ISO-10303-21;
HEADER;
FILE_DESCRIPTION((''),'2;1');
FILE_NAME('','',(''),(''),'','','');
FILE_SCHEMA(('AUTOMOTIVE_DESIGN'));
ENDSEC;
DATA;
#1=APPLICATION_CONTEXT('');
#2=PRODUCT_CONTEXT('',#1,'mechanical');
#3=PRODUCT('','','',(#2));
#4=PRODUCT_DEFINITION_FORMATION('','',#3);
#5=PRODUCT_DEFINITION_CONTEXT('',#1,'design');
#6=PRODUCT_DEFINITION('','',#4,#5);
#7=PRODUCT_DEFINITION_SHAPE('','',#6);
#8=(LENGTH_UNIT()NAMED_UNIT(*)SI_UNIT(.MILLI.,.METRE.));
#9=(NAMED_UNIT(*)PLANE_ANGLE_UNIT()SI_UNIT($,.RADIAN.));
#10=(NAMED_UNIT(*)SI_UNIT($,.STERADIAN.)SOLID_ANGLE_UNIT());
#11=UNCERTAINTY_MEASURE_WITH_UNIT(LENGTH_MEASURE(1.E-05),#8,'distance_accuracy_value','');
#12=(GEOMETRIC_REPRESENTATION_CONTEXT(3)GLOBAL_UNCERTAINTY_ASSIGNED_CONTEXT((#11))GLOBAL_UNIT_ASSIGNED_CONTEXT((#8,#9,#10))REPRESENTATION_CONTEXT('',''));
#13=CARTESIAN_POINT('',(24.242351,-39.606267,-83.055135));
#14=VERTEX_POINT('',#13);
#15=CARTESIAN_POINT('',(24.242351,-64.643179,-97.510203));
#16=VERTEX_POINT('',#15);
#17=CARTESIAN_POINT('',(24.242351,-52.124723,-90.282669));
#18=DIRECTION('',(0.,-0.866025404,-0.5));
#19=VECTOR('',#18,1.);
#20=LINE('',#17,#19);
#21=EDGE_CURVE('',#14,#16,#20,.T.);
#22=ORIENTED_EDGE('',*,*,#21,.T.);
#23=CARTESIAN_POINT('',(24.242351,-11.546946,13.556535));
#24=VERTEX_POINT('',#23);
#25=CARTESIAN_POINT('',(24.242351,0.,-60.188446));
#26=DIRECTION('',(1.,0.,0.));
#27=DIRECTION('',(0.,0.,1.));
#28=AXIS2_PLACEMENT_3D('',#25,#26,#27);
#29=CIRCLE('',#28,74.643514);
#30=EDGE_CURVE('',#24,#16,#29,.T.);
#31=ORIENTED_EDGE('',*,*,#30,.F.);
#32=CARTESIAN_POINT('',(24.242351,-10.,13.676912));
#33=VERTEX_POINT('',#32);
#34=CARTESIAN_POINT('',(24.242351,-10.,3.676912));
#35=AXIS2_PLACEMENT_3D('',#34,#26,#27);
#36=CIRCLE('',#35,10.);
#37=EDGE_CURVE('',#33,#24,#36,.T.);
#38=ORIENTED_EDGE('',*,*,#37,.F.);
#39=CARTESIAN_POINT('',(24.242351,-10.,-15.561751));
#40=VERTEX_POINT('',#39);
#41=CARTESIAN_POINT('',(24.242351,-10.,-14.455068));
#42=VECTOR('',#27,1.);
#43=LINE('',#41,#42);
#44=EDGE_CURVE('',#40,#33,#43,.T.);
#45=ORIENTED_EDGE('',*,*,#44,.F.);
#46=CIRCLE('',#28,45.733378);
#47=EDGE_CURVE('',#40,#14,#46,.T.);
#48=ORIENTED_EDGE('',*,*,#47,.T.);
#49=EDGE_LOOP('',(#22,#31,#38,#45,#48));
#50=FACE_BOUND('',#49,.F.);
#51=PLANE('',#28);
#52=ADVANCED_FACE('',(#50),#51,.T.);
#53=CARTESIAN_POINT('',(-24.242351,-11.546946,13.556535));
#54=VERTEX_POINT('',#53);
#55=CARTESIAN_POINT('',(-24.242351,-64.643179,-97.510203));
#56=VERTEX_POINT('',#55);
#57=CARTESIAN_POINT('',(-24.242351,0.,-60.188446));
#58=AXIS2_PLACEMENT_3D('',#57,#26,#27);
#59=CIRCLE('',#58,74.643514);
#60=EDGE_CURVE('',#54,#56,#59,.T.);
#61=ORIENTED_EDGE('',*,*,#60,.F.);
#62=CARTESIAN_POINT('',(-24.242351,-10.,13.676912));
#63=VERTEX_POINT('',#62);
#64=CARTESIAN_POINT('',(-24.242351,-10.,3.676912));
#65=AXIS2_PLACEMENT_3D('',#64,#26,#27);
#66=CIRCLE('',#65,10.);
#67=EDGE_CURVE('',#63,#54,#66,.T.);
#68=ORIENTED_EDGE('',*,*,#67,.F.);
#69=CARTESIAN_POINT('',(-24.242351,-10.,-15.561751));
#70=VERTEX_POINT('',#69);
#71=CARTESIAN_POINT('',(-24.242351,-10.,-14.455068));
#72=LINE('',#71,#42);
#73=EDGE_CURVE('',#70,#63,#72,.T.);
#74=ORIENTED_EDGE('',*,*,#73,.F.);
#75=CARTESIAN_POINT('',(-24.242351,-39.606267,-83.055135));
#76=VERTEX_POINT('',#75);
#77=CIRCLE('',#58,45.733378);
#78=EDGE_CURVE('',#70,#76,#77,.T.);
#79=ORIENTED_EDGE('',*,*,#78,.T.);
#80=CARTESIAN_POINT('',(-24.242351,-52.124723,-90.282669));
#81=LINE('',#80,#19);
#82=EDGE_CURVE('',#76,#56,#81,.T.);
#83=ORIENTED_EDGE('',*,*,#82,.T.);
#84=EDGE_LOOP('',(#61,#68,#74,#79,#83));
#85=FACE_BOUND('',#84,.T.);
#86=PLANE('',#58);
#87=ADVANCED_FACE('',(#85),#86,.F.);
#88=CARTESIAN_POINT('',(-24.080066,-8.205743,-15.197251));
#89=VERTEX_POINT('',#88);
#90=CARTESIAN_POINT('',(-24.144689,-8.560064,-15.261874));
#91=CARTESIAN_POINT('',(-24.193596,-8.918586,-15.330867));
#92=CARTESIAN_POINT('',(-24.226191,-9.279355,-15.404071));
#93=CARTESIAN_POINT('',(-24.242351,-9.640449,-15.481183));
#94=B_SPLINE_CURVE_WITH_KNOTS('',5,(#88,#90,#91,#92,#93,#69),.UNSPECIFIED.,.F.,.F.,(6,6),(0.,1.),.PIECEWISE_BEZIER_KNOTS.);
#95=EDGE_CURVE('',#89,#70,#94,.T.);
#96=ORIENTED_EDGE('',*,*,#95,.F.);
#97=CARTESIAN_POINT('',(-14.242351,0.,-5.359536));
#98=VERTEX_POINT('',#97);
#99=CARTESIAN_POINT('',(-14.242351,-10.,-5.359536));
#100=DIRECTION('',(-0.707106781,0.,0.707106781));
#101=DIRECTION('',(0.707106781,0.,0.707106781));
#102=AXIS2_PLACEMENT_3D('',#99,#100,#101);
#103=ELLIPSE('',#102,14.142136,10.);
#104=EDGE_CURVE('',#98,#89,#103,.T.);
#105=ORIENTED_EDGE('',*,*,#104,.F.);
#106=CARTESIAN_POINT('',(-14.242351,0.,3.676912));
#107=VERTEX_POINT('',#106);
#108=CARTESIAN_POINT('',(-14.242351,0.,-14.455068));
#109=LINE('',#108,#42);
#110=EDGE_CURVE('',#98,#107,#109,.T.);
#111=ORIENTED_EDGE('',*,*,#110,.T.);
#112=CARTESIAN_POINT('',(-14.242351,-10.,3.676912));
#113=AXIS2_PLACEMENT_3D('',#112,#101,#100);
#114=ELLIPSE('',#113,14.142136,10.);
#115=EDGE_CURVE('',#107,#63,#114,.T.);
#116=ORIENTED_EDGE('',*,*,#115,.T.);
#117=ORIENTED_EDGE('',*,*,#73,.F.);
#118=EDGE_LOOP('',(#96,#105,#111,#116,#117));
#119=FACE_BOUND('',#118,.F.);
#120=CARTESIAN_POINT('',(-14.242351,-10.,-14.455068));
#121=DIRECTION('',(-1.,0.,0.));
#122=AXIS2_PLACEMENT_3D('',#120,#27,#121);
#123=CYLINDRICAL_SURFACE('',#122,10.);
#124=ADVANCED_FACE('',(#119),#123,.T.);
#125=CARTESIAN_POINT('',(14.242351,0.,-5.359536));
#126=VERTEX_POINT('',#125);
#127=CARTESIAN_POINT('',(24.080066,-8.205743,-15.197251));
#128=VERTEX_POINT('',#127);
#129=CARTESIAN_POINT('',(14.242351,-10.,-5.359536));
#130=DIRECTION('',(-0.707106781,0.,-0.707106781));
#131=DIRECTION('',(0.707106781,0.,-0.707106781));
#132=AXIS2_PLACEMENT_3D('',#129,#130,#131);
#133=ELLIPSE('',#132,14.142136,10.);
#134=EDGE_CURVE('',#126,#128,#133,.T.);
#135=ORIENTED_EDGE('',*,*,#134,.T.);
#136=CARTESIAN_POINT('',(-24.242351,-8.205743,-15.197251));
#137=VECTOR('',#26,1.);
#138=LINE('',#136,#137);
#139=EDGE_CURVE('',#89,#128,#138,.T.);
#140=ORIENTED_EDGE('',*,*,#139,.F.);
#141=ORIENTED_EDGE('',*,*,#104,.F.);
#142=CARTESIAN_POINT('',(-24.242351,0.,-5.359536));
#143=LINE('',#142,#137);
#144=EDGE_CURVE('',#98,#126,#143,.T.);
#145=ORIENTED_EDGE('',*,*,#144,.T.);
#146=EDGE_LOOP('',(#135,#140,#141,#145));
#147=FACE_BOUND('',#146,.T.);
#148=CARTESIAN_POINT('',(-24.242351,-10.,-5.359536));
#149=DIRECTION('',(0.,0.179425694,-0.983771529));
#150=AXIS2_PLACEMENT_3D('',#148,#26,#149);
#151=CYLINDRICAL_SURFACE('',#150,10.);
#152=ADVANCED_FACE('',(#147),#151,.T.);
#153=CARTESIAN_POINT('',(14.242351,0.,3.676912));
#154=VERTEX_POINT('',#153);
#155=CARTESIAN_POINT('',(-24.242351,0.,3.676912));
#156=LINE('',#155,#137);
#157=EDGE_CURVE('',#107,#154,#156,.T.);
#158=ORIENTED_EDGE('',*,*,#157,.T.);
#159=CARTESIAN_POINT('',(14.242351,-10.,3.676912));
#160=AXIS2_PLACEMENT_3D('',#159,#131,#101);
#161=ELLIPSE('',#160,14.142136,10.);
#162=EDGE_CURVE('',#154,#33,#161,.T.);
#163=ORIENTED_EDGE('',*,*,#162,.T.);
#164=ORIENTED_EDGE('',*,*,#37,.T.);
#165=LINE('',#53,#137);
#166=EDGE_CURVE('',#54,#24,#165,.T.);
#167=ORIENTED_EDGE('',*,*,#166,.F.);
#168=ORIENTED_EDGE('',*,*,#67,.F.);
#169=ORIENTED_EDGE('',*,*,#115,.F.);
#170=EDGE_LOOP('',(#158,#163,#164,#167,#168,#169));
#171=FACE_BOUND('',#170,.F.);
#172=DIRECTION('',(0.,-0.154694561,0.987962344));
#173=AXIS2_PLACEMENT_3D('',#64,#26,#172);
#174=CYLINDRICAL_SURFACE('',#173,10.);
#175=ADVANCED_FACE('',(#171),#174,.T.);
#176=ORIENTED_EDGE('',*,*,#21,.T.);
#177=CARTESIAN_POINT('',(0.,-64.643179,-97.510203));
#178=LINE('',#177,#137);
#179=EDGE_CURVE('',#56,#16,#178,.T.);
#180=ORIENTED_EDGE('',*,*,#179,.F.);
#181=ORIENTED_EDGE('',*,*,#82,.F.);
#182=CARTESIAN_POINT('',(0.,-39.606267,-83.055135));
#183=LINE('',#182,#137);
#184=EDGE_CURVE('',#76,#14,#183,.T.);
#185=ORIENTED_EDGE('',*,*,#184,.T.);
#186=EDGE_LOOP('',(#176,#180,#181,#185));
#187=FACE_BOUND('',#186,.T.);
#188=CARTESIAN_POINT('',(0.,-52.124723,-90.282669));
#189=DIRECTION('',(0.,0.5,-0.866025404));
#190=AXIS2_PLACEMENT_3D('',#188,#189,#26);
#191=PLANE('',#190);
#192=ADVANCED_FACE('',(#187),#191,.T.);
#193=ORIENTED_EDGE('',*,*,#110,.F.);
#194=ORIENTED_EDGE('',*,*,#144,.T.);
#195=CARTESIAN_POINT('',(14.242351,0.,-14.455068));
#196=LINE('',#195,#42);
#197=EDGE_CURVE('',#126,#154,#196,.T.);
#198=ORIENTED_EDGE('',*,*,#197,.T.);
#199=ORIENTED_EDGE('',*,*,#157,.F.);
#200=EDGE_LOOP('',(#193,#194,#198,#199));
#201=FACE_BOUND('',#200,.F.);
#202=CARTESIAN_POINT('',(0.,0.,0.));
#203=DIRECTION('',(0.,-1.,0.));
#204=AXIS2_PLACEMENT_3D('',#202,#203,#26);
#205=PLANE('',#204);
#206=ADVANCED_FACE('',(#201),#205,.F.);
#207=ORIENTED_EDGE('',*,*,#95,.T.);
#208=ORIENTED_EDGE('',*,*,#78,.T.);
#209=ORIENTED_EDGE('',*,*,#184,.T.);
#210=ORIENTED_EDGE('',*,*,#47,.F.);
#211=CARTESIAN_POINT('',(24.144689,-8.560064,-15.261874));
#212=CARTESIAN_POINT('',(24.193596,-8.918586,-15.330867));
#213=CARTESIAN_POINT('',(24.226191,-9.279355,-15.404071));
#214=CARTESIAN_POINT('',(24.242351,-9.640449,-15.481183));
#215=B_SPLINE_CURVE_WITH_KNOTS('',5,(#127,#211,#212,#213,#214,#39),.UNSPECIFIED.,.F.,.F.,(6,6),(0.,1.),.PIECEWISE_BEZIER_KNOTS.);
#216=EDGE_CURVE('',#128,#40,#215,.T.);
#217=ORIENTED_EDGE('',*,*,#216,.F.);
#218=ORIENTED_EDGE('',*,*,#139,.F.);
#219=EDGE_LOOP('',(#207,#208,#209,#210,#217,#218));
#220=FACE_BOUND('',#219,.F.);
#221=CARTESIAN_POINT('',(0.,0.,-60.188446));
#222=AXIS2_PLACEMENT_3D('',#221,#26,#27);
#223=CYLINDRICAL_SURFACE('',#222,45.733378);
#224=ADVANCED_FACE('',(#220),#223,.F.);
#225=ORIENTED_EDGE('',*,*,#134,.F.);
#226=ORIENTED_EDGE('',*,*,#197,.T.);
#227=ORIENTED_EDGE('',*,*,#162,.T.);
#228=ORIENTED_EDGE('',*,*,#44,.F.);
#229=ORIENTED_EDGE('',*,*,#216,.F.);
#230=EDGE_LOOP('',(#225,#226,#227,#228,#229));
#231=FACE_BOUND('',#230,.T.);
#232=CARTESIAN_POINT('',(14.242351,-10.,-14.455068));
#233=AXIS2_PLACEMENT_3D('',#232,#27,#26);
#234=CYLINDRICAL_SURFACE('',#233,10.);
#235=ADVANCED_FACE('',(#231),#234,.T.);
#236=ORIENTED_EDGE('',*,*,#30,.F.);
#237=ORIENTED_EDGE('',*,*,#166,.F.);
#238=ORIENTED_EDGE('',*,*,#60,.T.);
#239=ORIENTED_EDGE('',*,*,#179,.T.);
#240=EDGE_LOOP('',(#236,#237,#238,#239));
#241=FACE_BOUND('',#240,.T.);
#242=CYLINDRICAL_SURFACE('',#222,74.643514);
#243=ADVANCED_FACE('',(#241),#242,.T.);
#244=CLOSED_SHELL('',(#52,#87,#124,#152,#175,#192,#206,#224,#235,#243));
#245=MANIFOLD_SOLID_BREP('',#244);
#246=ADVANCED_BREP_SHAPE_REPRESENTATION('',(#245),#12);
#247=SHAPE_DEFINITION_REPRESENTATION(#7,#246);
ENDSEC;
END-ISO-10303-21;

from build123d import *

# Parameters (mm, degrees)
F0_W     = 48.484702
F0_H     = 28.910136
F1_ANGLE = 120
F2_R     = 10


with BuildPart() as f1:
    # F0 (on Front) → F1 (revolve)
    with BuildSketch(Plane.XZ):
        Rectangle(F0_W, F0_H)
    revolve(axis=Axis((-3.22037, 0, -60.188446), (1, 0, 0)), revolution_arc=F1_ANGLE)

    # F2
    f2_edges = [f1.edges().sort_by_distance(p)[0] for p in [
        (24.242351, 0, 0),
        (0, 0, 14.455068),
        (-24.242351, 0, 0),
        (0, 0, -14.455068),
    ]]
    fillet(f2_edges, radius=F2_R)


solid = f1.part
